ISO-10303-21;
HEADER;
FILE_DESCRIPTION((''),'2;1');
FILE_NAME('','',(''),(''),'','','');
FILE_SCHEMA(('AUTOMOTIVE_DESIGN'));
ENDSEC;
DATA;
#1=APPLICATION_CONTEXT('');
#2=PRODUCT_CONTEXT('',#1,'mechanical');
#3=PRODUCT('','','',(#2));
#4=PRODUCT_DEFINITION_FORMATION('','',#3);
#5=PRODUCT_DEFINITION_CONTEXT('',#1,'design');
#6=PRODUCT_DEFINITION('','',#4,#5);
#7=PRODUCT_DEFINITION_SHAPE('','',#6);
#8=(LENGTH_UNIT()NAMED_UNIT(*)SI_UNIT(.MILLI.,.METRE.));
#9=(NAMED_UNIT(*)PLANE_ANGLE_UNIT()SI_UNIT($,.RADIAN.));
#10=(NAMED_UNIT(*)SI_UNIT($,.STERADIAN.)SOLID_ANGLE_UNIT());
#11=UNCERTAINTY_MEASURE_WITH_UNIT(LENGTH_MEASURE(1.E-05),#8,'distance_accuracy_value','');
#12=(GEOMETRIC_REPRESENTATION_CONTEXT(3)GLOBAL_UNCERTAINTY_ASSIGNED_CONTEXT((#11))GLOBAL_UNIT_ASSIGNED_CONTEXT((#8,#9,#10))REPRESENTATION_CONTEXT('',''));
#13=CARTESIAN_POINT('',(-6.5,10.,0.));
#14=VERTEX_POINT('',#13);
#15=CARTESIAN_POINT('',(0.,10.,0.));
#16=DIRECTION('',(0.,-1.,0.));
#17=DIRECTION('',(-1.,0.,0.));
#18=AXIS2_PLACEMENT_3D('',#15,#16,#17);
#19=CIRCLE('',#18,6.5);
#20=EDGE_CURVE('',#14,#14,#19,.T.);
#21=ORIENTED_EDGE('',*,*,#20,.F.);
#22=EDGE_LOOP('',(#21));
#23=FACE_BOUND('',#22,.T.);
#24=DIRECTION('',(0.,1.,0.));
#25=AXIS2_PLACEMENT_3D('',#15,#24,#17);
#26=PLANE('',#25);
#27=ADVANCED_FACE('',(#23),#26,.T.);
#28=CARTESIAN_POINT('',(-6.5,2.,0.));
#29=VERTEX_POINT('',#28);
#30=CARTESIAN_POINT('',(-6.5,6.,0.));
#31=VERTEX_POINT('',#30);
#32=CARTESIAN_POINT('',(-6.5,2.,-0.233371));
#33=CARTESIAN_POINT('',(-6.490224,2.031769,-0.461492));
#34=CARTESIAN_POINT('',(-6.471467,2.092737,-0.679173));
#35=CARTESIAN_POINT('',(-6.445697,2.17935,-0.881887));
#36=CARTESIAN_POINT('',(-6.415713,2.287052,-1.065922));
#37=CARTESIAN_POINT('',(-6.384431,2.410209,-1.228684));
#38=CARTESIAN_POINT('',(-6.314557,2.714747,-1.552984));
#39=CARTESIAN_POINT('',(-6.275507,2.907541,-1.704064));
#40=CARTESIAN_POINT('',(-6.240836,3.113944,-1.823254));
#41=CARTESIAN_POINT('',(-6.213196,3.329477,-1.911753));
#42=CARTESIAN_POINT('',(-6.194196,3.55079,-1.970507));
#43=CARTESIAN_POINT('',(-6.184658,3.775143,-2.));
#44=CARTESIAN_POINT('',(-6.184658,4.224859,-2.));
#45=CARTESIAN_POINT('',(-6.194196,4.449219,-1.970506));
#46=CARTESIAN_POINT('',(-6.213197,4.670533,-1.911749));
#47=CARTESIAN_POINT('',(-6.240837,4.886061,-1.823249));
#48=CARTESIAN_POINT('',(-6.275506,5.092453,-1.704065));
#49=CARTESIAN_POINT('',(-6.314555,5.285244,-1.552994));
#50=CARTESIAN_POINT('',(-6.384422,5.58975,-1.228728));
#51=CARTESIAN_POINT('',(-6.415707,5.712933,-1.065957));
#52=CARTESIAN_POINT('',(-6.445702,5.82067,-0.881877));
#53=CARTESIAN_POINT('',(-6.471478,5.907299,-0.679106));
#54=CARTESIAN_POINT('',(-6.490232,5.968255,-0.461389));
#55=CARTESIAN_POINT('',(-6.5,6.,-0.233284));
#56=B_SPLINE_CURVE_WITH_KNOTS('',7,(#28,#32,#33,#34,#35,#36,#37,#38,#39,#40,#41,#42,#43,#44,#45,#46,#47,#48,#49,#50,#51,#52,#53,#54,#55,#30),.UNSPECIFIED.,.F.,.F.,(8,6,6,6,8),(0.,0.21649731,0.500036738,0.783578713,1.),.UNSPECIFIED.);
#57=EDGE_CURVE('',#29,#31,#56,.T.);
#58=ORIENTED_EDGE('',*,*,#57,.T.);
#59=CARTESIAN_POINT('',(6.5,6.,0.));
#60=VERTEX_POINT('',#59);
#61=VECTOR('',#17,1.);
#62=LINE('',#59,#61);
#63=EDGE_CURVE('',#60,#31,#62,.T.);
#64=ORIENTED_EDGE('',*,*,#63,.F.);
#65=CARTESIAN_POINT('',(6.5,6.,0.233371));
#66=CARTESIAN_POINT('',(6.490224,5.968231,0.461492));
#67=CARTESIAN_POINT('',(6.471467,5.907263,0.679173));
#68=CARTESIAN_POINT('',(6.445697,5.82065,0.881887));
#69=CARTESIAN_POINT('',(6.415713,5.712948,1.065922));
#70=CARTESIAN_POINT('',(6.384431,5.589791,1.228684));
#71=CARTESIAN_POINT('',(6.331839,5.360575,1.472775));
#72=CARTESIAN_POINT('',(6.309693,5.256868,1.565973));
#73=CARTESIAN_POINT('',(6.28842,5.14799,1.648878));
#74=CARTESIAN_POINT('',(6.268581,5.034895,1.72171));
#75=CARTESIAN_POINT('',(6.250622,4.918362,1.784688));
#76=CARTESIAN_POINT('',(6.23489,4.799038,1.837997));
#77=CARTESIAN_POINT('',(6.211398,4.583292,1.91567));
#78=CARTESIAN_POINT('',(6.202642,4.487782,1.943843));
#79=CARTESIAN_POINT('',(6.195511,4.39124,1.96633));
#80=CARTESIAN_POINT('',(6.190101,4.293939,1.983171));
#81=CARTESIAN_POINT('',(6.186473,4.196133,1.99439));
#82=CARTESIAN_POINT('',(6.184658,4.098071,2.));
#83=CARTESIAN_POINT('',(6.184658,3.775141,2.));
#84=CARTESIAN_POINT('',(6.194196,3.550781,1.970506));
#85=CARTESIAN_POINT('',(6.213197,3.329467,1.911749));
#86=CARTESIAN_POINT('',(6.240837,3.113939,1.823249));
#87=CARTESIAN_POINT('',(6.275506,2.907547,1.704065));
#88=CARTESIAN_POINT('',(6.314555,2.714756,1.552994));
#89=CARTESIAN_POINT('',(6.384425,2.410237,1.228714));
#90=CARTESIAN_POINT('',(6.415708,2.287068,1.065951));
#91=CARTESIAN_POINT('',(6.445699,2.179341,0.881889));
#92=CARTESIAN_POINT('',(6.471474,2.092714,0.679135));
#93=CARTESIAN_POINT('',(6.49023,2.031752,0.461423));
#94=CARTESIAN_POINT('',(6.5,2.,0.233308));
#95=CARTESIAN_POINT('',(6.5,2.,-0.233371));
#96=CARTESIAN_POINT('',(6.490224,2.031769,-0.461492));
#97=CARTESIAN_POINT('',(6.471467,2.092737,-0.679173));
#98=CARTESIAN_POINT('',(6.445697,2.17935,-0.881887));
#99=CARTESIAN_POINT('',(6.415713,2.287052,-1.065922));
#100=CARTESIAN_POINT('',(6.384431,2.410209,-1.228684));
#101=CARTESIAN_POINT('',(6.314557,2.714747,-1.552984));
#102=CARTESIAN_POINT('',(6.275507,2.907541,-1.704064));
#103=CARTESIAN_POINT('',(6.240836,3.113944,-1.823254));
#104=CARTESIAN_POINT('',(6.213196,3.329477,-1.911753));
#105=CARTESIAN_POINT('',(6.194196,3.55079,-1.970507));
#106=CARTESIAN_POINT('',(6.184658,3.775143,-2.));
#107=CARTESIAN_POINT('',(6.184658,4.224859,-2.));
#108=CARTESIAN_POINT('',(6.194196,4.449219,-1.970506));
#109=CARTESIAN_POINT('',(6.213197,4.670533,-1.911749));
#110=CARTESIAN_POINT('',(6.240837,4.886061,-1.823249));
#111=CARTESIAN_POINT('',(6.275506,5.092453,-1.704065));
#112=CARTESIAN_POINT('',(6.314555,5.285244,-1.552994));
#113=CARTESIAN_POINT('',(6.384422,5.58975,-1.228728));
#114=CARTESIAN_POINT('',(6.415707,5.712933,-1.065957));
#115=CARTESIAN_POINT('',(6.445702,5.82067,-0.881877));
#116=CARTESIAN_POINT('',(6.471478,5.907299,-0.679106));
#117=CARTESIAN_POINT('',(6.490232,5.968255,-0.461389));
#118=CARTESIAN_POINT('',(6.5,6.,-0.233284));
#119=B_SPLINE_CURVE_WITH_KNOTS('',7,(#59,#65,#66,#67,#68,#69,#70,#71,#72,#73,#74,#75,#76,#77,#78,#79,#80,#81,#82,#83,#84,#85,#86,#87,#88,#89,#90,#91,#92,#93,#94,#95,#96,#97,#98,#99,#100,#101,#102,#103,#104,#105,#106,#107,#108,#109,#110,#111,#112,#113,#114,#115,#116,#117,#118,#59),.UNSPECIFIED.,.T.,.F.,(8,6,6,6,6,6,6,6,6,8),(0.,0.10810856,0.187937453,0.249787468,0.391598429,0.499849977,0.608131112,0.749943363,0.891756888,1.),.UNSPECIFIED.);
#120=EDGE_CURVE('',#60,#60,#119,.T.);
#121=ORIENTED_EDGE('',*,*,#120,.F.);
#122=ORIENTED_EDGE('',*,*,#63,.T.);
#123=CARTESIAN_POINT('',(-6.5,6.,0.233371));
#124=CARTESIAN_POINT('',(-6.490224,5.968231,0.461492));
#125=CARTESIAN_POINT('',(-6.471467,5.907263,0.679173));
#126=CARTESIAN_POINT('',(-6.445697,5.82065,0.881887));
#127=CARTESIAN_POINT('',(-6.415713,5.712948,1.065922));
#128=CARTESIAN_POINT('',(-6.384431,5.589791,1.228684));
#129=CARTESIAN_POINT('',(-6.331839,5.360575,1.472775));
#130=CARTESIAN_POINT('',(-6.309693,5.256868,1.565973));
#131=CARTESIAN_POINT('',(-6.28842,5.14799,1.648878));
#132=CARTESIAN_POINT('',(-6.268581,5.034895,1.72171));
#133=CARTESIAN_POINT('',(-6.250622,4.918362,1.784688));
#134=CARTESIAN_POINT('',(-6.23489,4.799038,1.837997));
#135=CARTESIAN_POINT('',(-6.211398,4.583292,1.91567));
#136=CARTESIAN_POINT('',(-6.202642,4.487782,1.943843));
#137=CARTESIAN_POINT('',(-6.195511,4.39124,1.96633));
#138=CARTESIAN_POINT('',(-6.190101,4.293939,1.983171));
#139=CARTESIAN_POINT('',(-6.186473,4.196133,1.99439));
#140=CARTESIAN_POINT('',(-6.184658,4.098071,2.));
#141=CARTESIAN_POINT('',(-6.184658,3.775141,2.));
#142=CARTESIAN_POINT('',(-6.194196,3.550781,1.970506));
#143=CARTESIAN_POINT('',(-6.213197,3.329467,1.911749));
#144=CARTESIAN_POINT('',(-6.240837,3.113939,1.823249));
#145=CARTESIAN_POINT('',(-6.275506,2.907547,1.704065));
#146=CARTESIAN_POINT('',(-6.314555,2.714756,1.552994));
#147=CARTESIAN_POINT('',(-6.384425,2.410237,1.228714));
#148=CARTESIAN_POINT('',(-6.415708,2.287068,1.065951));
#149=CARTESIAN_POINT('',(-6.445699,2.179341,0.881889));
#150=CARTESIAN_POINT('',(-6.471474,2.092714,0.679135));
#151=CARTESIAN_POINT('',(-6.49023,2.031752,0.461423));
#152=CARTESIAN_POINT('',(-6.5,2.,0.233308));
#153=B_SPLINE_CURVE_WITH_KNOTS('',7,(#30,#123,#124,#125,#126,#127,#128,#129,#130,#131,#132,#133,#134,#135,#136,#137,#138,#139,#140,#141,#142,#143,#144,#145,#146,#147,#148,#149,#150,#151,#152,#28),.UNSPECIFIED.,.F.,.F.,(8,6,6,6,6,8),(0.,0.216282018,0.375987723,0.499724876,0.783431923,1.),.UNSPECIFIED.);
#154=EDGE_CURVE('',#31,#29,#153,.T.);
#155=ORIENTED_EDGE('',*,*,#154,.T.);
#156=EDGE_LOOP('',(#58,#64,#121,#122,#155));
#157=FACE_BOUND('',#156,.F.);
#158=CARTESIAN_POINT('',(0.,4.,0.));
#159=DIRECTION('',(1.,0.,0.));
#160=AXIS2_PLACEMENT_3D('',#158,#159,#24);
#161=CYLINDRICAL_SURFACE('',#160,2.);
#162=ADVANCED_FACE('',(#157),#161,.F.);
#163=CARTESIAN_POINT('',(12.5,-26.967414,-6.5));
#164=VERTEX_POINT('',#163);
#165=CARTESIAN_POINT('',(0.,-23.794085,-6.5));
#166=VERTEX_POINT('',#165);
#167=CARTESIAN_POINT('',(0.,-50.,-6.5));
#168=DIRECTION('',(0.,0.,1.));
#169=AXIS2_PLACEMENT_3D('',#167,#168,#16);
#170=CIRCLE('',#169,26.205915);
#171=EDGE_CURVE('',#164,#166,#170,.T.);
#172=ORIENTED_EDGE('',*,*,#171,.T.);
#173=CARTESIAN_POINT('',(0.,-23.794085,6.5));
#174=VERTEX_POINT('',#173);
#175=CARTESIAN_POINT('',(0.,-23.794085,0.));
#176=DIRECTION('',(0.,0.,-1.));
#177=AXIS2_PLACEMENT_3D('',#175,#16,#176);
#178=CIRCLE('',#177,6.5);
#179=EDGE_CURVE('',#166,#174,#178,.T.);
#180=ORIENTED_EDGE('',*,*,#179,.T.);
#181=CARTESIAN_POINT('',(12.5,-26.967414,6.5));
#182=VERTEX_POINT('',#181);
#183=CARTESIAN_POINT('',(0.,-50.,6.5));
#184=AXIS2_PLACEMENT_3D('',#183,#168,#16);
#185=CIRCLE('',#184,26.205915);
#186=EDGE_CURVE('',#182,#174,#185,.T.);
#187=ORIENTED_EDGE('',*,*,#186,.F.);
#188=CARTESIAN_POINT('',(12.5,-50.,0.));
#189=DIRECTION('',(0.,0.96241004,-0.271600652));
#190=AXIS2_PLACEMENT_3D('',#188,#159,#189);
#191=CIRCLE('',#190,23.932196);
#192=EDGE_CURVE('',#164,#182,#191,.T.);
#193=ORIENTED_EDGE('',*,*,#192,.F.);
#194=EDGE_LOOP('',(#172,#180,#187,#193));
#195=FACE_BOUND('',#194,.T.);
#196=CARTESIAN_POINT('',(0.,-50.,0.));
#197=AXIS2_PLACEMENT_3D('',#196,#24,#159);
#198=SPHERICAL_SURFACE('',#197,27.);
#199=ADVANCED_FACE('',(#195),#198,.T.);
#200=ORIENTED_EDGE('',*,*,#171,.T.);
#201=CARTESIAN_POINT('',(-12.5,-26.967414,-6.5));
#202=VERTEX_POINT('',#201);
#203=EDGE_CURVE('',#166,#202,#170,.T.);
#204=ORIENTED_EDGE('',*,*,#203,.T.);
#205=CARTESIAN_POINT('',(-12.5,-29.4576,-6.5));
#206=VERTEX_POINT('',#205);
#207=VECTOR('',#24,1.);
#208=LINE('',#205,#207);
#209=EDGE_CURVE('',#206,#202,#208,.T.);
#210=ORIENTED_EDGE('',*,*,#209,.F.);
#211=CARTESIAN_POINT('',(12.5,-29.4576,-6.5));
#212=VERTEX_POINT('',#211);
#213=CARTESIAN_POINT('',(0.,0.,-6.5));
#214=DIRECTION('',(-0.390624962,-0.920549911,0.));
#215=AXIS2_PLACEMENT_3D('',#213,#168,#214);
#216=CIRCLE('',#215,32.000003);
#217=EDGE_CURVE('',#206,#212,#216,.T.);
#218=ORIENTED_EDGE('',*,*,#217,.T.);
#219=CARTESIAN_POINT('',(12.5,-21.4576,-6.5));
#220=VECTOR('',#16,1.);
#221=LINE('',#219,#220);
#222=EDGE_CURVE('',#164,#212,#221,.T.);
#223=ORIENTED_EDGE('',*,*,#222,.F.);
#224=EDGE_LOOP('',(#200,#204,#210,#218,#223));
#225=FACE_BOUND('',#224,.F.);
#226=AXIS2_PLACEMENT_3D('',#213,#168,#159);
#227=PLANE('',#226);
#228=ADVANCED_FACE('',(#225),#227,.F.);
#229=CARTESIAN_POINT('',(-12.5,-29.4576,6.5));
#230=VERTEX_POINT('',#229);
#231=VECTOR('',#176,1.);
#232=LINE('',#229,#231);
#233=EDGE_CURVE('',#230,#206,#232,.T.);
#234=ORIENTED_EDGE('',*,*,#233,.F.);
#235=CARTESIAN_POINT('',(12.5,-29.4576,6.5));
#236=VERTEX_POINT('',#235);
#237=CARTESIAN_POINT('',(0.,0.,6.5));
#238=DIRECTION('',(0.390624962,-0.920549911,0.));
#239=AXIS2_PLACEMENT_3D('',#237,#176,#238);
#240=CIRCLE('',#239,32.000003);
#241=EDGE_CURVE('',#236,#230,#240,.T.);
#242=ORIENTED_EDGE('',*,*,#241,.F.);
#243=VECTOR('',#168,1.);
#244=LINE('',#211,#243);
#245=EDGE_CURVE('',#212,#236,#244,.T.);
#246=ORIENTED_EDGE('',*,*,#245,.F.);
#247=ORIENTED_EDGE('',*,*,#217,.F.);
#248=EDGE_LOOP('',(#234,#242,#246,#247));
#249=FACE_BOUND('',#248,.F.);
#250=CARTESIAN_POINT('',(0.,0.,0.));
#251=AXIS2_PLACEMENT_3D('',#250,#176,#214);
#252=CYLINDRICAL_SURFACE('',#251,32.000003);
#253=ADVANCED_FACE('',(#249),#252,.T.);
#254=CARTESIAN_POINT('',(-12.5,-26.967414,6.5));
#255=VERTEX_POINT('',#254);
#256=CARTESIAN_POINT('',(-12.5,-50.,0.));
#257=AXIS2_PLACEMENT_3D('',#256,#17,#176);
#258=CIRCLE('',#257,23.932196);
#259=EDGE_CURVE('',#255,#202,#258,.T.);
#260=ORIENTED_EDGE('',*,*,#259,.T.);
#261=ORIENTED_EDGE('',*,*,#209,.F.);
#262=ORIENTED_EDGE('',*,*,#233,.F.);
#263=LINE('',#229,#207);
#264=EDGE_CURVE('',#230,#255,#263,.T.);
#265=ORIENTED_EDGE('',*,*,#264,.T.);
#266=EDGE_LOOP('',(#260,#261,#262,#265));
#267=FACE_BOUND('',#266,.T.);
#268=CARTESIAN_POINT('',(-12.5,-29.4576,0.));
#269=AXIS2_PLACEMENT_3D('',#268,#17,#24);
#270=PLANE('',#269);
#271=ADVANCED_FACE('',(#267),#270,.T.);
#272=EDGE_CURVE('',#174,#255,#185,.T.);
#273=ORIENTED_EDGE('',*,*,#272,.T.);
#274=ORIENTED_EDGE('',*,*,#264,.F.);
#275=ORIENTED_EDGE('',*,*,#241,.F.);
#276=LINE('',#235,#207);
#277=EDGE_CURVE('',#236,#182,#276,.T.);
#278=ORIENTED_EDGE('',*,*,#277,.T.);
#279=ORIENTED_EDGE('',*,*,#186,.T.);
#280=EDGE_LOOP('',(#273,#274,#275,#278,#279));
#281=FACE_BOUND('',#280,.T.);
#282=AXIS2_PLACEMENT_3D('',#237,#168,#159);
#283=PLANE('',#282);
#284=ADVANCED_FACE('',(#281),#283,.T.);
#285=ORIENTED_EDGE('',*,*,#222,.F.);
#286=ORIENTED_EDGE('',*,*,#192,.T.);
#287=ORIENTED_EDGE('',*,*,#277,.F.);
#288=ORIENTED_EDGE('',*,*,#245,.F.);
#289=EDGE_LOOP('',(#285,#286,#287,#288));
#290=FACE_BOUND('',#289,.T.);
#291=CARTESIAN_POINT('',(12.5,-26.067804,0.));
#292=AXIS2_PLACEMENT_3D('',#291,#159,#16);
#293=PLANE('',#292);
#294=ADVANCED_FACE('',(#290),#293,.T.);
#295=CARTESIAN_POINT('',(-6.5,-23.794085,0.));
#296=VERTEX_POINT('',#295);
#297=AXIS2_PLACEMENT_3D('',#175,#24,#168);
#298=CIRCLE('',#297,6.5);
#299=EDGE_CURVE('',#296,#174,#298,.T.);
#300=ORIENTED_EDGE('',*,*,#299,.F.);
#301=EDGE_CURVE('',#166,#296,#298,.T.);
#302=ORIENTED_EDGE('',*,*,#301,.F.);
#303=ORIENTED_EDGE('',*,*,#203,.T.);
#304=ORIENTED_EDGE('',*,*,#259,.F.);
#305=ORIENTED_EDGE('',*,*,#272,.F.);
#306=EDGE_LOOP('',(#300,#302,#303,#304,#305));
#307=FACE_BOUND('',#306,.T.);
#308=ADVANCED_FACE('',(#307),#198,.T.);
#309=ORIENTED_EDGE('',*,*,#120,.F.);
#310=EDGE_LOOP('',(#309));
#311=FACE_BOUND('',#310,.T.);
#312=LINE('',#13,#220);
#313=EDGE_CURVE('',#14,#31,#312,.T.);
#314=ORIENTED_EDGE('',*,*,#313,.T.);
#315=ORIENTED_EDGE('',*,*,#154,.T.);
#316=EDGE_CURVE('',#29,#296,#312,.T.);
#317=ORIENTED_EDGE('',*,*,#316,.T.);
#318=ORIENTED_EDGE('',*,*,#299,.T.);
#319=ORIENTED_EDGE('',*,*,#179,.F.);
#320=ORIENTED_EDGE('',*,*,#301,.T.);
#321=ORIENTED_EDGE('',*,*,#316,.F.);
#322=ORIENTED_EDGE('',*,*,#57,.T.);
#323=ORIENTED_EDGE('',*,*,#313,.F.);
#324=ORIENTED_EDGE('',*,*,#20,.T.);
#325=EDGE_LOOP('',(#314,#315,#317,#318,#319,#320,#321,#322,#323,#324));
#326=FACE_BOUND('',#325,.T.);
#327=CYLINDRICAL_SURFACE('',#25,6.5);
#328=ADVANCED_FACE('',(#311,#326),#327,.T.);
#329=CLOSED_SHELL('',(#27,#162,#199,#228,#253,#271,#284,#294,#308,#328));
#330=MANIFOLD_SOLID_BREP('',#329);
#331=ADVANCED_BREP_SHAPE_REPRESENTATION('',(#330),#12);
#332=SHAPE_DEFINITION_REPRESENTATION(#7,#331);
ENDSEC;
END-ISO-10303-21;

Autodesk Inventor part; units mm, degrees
ref_plane "YZ Plane" through (0, 0, 0) normal (1, 0, 0) x (0, 1, 0)
sketch "Sketch1" plane through (0, 0, 0) normal (0, 0, 1) x (1, 0, 0)
  line L0 (-16.45, 0) -> (38.85, 0) projected
  line L1 (0, -84.7) -> (0, 23.1) projected
  line L2 (-12.5, -29.4576) -> (-12.5, -21.4576)
  line L3 (-12.5, -21.4576) -> (12.5, -21.4576)
  line L4 (12.5, -21.4576) -> (12.5, -29.4576)
  arc A0 (-12.5, -29.4576) -> (12.5, -29.4576) centre (0, 0) ccw
  arc A1 (0, -77) -> (0, -23) centre (0, -50) ccw
  line L5 (0, -77) -> (0, -23)
  dimension "d0" = 32
  dimension "d1" = 8
  dimension "d2" = 25
  dimension "d5" = 27
  dimension "d6" = 50
extrude "Extrusion1" add sketch "Sketch1" along normal mid plane 13 contours A0 L2 L3 L1 | L1 A1 L4 A0 | A1 L1 L3 L4 picked at (1.4378, -26.1156)
revolve "Revolution1" cut sketch "Sketch1" angle 360 about axis through (0, -10, 0) along (0, 1, 0) keep common part contours L1 A0 L4 A1 | L1 A1 L4 A0
ref_plane "Work Plane1" through (0, -32, 0) normal (0, 1, 0) x (-1, 0, 0)
ref_plane "Work Plane2" through (0, 10, 0) normal (0, 1, 0) x (-1, 0, 0)
sketch "Sketch2" plane through (0, 10, 0) normal (0, 1, 0) x (-1, 0, 0)
  circle A0 centre (0, 0) radius 6.5
  line L0 (-12.5, 6.5) -> (12.5, 6.5) projected
extrude "Extrusion2" add sketch "Sketch2" against normal up to next
sketch "Sketch3" plane through (0, 0, 0) normal (1, 0, 0) x (0, 1, 0)
  line L0 (1.2, 0) -> (12.4, 0) projected
  circle A0 centre (4, 0) radius 2
  line L1 (10, 6.5) -> (10, -6.5) projected
  dimension "d11" = 4
  dimension "d12" = 6
extrude "Extrusion3" cut sketch "Sketch3" along normal through all both and the other way through all
properties part number "Stem" material "Bronze, Soft Tin"
